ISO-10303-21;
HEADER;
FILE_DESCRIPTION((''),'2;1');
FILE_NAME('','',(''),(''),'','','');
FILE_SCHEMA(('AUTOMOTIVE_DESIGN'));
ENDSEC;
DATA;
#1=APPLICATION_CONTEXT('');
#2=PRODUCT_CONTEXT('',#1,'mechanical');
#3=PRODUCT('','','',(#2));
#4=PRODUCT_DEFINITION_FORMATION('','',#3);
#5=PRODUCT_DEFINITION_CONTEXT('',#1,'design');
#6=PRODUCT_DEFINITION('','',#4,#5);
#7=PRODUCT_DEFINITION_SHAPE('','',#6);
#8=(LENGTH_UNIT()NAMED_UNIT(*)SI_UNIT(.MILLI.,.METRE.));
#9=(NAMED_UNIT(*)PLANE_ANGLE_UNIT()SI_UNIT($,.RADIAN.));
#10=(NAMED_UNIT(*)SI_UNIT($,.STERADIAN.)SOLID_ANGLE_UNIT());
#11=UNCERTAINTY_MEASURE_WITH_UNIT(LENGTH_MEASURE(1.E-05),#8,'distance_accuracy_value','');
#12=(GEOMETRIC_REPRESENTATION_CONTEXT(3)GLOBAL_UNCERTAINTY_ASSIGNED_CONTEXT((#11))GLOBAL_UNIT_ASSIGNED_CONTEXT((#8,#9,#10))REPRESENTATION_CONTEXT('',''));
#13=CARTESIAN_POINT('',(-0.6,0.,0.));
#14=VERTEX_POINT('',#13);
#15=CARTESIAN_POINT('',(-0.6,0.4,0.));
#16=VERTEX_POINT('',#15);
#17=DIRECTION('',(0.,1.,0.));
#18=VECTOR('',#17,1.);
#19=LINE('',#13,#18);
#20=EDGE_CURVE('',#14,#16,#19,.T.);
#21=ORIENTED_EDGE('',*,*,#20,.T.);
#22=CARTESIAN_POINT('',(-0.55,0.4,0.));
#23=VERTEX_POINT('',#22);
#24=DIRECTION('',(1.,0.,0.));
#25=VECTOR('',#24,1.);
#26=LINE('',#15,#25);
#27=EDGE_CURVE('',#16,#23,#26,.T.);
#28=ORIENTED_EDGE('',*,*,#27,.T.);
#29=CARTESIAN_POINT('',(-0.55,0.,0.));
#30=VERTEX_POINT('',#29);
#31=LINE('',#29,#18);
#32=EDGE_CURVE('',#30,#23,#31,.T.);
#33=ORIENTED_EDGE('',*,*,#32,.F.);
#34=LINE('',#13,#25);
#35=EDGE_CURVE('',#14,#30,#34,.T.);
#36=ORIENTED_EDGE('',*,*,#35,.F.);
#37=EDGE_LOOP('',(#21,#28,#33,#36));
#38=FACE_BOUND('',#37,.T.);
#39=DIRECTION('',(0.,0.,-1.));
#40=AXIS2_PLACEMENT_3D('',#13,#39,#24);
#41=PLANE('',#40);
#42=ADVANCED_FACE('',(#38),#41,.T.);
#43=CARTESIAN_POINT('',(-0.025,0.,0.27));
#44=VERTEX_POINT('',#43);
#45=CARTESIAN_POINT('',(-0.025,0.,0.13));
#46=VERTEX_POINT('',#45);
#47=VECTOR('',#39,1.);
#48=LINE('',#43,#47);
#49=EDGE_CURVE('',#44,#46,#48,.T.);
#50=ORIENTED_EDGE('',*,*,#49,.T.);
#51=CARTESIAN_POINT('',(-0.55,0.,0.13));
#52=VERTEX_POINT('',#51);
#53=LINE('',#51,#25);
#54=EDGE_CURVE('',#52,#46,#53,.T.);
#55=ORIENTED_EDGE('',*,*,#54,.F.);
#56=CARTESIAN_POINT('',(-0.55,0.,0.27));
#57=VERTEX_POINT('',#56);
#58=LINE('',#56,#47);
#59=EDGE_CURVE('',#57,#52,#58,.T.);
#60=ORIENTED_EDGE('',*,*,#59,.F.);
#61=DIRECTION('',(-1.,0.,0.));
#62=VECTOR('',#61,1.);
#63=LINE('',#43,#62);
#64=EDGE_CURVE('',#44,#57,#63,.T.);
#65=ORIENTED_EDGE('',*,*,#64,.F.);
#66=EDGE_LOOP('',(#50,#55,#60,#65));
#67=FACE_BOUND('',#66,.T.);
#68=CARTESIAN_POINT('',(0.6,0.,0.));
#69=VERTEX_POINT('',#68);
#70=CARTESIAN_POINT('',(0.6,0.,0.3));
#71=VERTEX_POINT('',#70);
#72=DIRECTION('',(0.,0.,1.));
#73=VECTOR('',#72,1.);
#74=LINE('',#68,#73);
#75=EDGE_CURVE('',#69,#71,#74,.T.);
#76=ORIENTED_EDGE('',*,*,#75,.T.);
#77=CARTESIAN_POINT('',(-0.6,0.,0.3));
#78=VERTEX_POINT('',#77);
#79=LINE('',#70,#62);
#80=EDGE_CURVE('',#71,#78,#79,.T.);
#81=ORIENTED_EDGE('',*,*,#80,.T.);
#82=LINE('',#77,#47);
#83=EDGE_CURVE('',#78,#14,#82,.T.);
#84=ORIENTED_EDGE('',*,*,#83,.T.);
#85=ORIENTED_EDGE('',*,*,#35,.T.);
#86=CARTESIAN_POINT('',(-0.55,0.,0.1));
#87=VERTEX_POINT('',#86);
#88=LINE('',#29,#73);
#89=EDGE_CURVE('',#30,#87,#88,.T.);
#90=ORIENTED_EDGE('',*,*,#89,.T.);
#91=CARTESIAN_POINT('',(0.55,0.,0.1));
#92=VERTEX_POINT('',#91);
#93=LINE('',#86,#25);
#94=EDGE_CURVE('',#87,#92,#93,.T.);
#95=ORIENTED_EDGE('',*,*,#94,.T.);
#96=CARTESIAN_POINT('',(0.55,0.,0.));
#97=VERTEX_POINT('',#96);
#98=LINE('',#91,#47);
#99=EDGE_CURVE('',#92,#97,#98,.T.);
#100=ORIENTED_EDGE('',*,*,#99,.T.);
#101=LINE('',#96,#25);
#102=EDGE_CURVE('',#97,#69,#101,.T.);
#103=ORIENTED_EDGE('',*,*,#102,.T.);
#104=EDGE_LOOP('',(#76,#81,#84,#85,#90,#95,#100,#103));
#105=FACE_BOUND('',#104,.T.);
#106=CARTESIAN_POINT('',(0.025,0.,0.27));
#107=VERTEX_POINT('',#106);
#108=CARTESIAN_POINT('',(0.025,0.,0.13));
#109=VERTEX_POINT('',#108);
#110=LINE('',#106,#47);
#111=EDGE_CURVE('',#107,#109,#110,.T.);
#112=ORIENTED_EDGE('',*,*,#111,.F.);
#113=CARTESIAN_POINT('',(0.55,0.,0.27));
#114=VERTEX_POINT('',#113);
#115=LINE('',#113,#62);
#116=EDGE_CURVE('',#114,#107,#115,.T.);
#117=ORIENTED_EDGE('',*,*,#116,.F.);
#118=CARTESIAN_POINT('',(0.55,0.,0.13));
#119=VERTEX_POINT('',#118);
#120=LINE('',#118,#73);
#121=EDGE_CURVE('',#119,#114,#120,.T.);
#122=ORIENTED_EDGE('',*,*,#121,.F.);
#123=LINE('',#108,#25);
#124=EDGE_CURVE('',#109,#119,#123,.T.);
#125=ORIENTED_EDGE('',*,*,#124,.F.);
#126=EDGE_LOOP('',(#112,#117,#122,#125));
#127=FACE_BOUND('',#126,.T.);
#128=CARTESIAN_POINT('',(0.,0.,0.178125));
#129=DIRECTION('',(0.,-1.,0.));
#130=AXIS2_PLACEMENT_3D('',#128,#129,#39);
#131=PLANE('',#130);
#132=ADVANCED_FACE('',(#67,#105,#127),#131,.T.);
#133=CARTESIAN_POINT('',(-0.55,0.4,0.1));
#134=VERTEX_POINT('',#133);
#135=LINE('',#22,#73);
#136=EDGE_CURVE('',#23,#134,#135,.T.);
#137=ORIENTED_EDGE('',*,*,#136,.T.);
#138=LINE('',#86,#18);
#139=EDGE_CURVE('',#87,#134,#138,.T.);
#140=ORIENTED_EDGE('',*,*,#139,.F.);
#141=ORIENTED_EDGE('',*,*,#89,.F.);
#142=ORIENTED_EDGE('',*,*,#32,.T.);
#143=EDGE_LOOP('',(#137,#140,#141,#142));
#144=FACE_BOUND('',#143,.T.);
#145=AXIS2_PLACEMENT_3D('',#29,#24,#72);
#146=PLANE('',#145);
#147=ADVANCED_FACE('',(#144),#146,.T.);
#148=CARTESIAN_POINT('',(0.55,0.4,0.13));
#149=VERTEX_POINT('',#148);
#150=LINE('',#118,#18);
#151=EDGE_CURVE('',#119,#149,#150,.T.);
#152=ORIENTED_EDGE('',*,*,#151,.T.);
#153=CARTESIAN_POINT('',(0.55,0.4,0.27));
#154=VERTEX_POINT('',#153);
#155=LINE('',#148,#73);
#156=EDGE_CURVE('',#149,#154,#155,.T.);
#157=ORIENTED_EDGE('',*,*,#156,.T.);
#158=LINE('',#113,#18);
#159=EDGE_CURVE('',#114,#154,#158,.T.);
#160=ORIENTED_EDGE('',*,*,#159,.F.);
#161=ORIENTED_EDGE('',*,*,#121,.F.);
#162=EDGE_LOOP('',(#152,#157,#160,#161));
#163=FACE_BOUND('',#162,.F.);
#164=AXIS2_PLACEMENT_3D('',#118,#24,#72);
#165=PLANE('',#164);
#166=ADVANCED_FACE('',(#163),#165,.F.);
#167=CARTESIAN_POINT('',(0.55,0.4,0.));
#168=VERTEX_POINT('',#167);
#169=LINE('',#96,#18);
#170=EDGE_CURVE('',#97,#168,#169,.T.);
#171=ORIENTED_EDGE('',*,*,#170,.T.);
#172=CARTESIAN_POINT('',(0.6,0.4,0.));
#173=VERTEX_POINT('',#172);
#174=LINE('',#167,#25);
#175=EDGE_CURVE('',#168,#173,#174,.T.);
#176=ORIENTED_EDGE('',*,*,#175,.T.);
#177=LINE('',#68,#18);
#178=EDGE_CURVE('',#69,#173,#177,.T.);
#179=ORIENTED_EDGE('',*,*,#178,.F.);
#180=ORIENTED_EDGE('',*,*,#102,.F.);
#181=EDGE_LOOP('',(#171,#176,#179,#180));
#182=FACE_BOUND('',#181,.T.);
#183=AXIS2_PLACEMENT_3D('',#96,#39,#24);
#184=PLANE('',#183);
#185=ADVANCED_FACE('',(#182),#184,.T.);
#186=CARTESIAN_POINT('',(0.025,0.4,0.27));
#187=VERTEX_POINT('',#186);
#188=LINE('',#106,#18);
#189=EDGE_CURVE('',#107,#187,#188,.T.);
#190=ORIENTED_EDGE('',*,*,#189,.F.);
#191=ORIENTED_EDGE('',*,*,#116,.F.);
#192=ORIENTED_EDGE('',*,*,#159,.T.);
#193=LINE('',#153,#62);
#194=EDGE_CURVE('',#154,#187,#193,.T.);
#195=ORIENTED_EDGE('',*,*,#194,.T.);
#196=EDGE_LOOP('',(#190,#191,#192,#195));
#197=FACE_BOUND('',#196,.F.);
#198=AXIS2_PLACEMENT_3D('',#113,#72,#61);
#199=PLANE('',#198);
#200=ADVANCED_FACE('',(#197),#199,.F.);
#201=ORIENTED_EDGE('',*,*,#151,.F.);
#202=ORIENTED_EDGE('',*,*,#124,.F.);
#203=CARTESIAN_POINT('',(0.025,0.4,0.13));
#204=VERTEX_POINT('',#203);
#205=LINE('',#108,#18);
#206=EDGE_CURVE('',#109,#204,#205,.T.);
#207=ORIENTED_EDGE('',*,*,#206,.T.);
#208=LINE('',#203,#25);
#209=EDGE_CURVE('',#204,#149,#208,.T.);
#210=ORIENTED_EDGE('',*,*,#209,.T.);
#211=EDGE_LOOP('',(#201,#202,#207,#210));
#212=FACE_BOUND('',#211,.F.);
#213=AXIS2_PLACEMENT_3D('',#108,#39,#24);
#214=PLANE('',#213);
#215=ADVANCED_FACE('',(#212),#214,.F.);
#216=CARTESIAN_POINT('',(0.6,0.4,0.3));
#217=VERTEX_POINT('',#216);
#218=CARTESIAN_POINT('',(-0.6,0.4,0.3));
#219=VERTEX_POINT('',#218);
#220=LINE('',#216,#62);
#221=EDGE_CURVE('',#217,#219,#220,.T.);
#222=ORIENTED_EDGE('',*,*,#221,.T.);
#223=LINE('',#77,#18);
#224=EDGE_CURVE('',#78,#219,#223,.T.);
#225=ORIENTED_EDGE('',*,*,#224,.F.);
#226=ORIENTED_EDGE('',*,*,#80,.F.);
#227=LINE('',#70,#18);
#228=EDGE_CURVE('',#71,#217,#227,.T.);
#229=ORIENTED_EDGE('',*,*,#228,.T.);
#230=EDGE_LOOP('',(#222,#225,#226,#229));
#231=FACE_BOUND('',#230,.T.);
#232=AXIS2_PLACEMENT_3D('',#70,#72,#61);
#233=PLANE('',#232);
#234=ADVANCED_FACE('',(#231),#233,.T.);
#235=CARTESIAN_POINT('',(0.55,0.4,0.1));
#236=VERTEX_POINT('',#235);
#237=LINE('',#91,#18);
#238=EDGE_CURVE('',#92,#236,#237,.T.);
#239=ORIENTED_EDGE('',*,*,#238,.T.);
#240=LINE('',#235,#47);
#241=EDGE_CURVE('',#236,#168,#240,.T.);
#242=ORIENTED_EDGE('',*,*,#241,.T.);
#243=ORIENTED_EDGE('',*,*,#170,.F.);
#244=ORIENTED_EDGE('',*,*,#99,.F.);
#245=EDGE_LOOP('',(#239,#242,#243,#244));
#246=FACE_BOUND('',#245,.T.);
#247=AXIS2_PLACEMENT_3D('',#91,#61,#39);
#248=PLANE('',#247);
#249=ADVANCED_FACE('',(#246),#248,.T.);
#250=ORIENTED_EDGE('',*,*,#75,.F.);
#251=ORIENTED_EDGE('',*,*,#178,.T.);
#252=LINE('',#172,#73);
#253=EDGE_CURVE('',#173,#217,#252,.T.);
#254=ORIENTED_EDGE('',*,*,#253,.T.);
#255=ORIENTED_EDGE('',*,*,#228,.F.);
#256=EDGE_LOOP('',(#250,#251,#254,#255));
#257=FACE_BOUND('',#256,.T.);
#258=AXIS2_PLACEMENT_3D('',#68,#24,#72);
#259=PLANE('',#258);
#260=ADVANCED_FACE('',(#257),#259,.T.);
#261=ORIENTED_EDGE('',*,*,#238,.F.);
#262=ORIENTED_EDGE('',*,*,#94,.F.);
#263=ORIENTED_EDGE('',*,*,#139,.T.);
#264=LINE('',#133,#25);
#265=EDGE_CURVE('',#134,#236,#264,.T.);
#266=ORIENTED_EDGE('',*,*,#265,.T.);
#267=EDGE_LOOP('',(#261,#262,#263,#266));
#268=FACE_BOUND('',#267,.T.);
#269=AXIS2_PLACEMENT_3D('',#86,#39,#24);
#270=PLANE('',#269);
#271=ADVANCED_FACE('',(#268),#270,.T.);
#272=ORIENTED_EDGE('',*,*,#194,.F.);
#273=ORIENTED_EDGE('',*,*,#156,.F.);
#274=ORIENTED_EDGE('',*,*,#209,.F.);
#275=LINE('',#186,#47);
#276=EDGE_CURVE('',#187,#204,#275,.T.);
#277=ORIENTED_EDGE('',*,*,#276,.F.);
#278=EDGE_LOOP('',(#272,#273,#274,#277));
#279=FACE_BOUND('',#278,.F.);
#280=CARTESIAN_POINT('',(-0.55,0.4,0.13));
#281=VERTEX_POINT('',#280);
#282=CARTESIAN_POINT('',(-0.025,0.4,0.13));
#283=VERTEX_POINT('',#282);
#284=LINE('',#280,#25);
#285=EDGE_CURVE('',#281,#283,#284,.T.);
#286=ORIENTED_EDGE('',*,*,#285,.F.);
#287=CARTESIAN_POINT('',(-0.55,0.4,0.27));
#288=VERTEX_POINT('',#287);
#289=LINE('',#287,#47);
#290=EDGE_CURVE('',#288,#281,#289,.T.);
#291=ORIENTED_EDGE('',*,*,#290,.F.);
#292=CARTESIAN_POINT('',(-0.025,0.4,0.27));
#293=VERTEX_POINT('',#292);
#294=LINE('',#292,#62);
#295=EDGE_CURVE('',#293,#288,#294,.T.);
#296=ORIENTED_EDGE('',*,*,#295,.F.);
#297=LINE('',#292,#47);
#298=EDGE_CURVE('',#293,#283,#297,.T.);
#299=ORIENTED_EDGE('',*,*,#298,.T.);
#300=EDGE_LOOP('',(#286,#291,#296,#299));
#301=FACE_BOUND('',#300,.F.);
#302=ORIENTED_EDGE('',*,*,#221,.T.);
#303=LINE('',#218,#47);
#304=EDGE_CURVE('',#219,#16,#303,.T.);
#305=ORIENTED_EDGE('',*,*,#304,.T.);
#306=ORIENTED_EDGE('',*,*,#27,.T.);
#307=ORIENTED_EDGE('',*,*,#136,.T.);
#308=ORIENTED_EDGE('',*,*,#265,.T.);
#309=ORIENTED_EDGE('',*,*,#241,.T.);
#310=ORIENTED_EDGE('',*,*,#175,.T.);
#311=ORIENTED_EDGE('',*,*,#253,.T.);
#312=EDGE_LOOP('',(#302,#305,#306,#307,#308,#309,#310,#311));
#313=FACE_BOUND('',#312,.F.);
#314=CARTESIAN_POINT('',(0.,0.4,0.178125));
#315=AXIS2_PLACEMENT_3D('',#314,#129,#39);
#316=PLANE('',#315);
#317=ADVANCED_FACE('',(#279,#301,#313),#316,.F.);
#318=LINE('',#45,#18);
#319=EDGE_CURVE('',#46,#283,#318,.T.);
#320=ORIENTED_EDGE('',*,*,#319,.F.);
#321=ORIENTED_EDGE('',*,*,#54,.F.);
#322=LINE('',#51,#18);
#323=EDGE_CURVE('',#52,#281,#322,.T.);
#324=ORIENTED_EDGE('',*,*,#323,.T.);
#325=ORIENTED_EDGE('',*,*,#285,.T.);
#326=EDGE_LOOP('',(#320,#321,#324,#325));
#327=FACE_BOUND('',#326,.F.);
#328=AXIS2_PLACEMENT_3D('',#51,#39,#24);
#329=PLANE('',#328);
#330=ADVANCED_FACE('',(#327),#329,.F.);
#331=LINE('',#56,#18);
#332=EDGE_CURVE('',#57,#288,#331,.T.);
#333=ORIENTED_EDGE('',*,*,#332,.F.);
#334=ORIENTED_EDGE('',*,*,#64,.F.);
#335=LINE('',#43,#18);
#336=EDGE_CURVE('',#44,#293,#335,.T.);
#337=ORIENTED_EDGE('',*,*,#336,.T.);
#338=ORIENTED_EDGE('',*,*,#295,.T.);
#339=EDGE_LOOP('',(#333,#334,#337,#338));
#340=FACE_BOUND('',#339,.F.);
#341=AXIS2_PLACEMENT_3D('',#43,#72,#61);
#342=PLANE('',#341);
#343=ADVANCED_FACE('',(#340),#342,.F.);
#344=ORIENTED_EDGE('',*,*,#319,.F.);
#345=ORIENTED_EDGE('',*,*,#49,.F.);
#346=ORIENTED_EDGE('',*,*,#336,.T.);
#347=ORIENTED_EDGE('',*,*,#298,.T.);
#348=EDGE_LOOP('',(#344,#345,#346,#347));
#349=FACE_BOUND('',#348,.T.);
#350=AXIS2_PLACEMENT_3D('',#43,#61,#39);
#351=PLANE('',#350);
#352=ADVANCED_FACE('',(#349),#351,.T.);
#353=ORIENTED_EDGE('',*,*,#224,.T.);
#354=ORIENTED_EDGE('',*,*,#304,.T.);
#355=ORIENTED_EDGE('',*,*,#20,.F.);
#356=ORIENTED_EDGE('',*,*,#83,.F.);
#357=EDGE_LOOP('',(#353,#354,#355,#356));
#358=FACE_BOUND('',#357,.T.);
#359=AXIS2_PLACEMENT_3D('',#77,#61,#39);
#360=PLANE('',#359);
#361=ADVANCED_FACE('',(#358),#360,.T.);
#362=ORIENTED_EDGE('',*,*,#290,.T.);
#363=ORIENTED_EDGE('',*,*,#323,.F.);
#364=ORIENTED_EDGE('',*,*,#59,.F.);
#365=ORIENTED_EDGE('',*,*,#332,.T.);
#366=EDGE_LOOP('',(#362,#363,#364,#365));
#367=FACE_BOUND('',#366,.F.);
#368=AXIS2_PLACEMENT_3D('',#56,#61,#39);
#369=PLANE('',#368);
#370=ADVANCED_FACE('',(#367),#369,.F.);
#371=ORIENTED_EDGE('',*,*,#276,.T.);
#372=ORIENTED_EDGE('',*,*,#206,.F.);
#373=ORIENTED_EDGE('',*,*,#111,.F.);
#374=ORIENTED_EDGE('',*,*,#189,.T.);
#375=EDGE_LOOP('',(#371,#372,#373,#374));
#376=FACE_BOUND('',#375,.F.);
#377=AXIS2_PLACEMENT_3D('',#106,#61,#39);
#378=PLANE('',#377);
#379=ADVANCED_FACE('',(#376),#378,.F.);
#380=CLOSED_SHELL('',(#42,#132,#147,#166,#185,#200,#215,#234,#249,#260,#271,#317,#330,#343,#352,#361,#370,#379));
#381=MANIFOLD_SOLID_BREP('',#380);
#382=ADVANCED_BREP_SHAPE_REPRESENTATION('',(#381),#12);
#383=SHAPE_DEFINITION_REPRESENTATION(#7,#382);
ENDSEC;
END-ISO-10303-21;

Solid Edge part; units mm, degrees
sketch "Sketch1" plane through (0, 0, 0) normal (0, -1, 0) x (1, 0, 0)
  line L0 (0.025, 0.13) -> (0.55, 0.13)
  line L1 (0.55, 0.13) -> (0.55, 0.27)
  line L2 (0.55, 0.27) -> (0.025, 0.27)
  line L3 (0.025, 0.27) -> (0.025, 0.13)
  line L4 (-0.55, 0.27) -> (-0.55, 0.13)
  line L5 (-0.55, 0.13) -> (-0.025, 0.13)
  line L6 (-0.025, 0.27) -> (-0.025, 0.13)
  line L7 (-0.025, 0.27) -> (-0.55, 0.27)
  line L8 (0.55, 0) -> (0.6, 0)
  line L9 (0.6, 0) -> (0.6, 0.3)
  line L10 (0.6, 0.3) -> (-0.6, 0.3)
  line L11 (-0.6, 0.3) -> (-0.6, 0)
  line L12 (-0.6, 0) -> (-0.55, 0)
  line L13 (-0.55, 0) -> (-0.55, 0.1)
  line L14 (-0.55, 0.1) -> (0.55, 0.1)
  line L15 (0.55, 0.1) -> (0.55, 0)
  dimension "D1" = 1.2
  dimension "D2" = 0.3
  dimension "D3" = 0.05
  dimension "D4" = 0.05
  dimension "D5" = 0.1
  dimension "D6" = 0.03
  dimension "D7" = 0.03
extrude "Protrusion1" add sketch "Sketch1" against normal blind 0.4
